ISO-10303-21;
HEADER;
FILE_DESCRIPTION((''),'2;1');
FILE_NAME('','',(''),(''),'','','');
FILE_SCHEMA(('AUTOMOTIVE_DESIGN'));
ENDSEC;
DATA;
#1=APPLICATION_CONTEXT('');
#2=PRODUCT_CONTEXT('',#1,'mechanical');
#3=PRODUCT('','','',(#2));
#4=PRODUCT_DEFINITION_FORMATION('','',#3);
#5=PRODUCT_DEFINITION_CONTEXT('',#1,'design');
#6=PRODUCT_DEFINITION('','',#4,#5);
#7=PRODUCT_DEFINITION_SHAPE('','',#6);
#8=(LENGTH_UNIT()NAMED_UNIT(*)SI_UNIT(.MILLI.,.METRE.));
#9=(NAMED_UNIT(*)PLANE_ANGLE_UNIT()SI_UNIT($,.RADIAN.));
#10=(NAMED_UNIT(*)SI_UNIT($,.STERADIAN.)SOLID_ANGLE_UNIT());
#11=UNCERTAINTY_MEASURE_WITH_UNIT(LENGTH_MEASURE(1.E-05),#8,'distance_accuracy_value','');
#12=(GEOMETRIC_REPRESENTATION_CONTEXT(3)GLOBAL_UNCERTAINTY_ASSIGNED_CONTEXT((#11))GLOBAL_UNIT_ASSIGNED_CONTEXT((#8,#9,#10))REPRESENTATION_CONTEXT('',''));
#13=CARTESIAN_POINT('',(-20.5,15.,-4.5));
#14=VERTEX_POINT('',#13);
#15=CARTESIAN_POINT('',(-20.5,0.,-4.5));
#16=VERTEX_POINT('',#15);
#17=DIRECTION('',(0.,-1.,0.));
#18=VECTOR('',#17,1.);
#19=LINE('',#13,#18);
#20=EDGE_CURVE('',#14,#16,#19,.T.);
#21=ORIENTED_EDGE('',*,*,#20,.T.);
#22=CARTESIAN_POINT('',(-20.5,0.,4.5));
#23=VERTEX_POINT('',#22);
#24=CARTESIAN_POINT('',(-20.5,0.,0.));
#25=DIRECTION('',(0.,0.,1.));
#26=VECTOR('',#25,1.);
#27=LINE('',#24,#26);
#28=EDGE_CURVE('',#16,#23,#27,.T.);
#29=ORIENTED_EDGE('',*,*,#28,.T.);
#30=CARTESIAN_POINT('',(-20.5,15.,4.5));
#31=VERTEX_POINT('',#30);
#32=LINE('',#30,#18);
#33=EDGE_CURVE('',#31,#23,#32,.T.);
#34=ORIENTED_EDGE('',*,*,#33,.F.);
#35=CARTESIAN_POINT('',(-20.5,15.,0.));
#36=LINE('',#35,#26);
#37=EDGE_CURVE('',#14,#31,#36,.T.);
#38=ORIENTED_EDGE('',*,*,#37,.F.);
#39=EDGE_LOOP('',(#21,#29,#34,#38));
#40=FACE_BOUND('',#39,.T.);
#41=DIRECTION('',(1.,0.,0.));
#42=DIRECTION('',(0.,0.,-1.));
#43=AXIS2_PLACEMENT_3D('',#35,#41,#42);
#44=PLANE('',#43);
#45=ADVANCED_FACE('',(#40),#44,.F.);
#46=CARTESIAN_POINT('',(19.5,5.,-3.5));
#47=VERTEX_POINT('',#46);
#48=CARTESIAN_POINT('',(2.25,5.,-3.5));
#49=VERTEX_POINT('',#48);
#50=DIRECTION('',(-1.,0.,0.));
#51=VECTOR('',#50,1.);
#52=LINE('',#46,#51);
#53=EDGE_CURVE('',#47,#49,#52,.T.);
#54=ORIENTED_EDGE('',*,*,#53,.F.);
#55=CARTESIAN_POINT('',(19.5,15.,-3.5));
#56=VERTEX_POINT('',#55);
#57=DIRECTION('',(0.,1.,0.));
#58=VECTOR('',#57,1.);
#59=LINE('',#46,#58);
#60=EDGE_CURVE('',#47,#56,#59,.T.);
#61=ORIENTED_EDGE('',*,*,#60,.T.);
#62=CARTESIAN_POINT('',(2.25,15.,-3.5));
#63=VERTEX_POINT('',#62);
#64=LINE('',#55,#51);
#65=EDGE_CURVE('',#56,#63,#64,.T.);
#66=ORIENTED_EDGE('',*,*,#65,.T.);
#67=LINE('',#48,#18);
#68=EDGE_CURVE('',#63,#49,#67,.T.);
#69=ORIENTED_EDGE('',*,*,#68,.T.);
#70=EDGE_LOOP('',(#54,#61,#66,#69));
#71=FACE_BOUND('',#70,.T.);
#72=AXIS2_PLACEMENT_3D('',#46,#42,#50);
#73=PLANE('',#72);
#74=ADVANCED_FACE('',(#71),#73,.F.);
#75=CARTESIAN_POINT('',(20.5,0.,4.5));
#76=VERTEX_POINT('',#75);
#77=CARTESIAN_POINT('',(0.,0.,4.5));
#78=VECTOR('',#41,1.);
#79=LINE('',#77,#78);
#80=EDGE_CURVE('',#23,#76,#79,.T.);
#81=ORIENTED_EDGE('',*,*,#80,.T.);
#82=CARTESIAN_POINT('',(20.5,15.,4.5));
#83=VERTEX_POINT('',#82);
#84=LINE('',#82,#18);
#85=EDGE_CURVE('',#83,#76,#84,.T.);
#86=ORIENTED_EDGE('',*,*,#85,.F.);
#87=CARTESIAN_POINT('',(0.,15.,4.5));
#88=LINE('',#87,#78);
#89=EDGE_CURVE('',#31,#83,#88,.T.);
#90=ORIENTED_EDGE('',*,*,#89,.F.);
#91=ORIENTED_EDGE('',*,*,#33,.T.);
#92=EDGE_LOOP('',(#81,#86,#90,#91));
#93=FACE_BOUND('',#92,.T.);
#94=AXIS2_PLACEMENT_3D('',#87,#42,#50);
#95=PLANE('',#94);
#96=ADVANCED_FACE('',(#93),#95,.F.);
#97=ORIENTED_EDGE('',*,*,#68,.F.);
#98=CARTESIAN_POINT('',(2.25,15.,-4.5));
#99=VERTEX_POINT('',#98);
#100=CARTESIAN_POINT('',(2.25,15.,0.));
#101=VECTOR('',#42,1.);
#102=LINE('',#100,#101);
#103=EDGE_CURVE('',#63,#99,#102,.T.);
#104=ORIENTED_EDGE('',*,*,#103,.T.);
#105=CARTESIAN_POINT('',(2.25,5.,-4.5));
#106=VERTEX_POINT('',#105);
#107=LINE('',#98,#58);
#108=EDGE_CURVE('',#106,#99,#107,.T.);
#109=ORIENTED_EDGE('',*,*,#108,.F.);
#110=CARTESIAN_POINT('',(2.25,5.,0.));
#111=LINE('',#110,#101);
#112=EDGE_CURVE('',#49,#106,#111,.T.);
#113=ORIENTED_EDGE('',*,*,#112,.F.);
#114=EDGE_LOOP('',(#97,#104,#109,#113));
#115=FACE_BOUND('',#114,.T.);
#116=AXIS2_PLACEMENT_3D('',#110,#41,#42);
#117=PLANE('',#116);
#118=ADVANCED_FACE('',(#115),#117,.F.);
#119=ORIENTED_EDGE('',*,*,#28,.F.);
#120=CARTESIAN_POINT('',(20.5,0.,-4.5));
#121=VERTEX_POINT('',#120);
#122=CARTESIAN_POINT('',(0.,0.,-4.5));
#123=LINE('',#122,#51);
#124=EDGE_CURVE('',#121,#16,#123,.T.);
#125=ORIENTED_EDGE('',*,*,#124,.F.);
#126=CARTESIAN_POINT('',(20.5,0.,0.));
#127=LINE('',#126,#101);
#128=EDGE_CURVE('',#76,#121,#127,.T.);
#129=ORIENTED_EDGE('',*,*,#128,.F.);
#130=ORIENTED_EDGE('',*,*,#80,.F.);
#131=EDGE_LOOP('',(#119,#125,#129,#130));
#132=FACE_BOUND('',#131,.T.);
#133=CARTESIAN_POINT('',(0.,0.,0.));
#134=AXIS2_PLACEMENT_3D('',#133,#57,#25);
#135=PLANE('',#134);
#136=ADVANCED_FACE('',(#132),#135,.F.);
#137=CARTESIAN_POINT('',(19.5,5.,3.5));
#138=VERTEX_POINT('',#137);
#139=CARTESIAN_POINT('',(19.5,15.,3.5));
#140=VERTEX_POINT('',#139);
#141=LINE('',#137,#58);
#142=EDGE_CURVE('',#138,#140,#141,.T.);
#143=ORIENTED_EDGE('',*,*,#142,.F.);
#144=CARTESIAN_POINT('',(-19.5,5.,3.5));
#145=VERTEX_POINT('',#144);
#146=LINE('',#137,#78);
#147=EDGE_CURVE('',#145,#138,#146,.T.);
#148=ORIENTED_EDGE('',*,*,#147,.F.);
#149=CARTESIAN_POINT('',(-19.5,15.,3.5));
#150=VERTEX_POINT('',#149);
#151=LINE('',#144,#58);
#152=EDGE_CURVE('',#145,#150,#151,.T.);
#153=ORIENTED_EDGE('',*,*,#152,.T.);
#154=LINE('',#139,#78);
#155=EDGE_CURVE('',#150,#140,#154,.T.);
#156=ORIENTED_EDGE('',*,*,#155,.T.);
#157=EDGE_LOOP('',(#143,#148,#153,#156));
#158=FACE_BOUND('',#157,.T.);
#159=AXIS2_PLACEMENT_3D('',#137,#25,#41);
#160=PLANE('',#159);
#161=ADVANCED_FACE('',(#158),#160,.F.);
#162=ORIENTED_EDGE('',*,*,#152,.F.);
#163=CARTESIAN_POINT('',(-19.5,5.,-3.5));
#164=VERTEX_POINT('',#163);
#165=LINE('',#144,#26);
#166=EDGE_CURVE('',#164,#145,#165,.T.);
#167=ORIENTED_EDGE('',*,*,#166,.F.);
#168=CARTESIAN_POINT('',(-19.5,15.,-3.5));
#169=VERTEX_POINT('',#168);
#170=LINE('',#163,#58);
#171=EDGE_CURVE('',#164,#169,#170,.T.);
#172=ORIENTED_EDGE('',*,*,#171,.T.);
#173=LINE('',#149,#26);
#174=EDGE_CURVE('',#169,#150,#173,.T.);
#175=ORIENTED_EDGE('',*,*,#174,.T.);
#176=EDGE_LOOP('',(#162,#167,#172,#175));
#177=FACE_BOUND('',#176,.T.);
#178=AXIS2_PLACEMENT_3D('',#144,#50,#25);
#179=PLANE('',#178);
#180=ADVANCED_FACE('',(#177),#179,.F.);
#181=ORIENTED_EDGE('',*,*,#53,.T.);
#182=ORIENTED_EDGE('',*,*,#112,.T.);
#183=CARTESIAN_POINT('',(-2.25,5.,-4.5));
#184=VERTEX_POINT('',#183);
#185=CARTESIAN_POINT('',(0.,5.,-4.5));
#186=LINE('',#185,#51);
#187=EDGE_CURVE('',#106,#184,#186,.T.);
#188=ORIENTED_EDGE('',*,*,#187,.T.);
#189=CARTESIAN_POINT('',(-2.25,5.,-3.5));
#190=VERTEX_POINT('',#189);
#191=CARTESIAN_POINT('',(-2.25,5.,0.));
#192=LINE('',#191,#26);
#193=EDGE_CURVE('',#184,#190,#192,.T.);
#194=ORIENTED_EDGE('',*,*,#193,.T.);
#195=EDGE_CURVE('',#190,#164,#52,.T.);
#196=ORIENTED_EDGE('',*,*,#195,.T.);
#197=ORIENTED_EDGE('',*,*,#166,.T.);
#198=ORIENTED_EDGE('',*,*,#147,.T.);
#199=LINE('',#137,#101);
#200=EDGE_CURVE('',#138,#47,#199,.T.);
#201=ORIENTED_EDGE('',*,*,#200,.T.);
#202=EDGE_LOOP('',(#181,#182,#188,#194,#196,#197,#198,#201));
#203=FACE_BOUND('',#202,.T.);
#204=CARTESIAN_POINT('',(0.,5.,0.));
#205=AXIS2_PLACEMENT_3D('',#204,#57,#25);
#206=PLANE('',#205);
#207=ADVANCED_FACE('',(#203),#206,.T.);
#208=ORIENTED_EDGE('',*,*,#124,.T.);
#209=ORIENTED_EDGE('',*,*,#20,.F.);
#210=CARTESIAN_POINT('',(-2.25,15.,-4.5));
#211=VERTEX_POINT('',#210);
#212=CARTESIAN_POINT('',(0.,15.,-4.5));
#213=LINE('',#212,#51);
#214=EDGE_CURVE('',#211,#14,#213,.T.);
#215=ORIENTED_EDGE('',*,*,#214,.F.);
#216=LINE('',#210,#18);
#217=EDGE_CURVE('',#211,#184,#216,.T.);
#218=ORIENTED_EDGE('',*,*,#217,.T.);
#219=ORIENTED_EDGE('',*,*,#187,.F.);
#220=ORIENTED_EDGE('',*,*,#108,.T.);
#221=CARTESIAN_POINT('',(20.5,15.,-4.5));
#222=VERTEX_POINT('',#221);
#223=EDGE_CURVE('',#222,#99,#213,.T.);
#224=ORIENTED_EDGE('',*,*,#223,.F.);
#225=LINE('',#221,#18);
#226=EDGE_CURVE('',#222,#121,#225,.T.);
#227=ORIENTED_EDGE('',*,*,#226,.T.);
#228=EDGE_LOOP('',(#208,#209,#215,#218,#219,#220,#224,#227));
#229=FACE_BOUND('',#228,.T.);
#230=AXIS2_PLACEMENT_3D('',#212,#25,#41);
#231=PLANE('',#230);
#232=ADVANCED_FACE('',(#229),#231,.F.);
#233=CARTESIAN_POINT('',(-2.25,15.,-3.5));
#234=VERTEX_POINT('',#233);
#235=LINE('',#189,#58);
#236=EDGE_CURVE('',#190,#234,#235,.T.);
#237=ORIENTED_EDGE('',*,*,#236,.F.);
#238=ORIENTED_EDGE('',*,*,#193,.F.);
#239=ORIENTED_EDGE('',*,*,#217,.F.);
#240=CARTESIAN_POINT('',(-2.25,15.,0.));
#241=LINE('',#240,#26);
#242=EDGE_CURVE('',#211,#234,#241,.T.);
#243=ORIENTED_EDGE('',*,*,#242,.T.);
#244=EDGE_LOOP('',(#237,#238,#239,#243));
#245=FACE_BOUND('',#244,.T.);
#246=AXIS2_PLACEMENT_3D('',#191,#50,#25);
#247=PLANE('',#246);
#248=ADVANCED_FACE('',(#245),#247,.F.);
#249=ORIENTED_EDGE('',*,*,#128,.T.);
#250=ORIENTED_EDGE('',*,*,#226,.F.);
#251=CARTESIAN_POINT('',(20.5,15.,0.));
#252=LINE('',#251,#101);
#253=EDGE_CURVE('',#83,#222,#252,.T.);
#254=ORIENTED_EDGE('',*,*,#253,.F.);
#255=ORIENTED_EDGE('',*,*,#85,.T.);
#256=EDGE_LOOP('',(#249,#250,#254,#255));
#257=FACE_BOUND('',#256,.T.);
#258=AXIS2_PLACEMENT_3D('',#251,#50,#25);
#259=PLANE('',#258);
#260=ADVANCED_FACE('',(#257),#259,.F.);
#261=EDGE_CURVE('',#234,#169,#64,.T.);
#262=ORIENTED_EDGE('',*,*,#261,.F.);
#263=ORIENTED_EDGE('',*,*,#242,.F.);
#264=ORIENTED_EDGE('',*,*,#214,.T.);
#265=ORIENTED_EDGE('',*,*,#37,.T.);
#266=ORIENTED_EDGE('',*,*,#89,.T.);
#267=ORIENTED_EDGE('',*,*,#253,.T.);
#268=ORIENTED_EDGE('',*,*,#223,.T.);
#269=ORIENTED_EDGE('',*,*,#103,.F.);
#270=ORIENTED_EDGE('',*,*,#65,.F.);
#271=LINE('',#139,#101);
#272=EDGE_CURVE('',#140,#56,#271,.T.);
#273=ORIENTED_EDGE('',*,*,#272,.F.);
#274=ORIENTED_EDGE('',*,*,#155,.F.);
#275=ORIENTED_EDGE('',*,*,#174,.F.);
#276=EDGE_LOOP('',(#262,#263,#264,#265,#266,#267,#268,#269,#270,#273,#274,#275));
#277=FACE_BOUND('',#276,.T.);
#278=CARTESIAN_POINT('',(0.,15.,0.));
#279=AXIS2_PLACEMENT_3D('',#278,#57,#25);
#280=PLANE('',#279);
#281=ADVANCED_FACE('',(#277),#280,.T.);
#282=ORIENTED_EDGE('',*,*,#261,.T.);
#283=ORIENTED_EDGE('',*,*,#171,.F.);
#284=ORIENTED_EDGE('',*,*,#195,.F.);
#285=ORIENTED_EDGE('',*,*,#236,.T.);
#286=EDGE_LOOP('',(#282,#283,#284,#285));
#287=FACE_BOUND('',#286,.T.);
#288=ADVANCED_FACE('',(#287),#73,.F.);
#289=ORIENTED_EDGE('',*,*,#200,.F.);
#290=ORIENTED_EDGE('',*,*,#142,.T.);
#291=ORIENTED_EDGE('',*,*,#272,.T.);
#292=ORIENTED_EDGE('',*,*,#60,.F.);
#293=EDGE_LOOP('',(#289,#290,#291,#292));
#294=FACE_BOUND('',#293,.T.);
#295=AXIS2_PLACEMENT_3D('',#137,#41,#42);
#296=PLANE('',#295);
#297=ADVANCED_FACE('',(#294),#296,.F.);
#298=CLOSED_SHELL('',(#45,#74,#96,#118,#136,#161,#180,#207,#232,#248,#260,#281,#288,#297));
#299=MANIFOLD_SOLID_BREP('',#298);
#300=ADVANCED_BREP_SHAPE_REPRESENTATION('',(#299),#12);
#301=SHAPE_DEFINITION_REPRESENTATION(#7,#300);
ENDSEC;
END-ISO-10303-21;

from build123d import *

# Parameters (mm, degrees)
SKETCH_486_W        = 4.5
SKETCH_486_H        = 9
SKETCH_486_W_2      = 41
EXTRUDE_840_DEPTH   = 15
CUT_EXTRUDE_START   = 15
SKETCH_4_W          = 39
SKETCH_4_H          = 7
CUT_EXTRUDE_8_DEPTH = 10
SKETCH_5_W          = 4.5
SKETCH_5_H          = 6.901015062
CUT_EXTRUDE_9_DEPTH = 10


with BuildPart() as part:
    # Sketch 486 → Extrude 840 (new body)
    with BuildSketch(Plane(origin=(0, 0, 0), x_dir=(1, 0, 0), z_dir=(0, 1, 0))):
        Rectangle(SKETCH_486_W, SKETCH_486_H)
        Rectangle(SKETCH_486_W_2, SKETCH_486_H)
    extrude(amount=EXTRUDE_840_DEPTH)

    # 草图4 → 切除-拉伸8 (cut)
    with BuildSketch(Plane(origin=(0, 0, 0), x_dir=(1, 0, 0), z_dir=(0, 1, 0)).offset(CUT_EXTRUDE_START)):
        Rectangle(SKETCH_4_W, SKETCH_4_H)
    extrude(amount=-CUT_EXTRUDE_8_DEPTH, mode=Mode.SUBTRACT)

    # 草图5 → 切除-拉伸9 (cut)
    with BuildSketch(Plane(origin=(0, 15, 0), x_dir=(1, 0, 0), z_dir=(0, 1, 0))):
        with Locations((0, 3.450507531)):
            Rectangle(SKETCH_5_W, SKETCH_5_H)
    extrude(amount=-CUT_EXTRUDE_9_DEPTH, mode=Mode.SUBTRACT)


solid = part.part
